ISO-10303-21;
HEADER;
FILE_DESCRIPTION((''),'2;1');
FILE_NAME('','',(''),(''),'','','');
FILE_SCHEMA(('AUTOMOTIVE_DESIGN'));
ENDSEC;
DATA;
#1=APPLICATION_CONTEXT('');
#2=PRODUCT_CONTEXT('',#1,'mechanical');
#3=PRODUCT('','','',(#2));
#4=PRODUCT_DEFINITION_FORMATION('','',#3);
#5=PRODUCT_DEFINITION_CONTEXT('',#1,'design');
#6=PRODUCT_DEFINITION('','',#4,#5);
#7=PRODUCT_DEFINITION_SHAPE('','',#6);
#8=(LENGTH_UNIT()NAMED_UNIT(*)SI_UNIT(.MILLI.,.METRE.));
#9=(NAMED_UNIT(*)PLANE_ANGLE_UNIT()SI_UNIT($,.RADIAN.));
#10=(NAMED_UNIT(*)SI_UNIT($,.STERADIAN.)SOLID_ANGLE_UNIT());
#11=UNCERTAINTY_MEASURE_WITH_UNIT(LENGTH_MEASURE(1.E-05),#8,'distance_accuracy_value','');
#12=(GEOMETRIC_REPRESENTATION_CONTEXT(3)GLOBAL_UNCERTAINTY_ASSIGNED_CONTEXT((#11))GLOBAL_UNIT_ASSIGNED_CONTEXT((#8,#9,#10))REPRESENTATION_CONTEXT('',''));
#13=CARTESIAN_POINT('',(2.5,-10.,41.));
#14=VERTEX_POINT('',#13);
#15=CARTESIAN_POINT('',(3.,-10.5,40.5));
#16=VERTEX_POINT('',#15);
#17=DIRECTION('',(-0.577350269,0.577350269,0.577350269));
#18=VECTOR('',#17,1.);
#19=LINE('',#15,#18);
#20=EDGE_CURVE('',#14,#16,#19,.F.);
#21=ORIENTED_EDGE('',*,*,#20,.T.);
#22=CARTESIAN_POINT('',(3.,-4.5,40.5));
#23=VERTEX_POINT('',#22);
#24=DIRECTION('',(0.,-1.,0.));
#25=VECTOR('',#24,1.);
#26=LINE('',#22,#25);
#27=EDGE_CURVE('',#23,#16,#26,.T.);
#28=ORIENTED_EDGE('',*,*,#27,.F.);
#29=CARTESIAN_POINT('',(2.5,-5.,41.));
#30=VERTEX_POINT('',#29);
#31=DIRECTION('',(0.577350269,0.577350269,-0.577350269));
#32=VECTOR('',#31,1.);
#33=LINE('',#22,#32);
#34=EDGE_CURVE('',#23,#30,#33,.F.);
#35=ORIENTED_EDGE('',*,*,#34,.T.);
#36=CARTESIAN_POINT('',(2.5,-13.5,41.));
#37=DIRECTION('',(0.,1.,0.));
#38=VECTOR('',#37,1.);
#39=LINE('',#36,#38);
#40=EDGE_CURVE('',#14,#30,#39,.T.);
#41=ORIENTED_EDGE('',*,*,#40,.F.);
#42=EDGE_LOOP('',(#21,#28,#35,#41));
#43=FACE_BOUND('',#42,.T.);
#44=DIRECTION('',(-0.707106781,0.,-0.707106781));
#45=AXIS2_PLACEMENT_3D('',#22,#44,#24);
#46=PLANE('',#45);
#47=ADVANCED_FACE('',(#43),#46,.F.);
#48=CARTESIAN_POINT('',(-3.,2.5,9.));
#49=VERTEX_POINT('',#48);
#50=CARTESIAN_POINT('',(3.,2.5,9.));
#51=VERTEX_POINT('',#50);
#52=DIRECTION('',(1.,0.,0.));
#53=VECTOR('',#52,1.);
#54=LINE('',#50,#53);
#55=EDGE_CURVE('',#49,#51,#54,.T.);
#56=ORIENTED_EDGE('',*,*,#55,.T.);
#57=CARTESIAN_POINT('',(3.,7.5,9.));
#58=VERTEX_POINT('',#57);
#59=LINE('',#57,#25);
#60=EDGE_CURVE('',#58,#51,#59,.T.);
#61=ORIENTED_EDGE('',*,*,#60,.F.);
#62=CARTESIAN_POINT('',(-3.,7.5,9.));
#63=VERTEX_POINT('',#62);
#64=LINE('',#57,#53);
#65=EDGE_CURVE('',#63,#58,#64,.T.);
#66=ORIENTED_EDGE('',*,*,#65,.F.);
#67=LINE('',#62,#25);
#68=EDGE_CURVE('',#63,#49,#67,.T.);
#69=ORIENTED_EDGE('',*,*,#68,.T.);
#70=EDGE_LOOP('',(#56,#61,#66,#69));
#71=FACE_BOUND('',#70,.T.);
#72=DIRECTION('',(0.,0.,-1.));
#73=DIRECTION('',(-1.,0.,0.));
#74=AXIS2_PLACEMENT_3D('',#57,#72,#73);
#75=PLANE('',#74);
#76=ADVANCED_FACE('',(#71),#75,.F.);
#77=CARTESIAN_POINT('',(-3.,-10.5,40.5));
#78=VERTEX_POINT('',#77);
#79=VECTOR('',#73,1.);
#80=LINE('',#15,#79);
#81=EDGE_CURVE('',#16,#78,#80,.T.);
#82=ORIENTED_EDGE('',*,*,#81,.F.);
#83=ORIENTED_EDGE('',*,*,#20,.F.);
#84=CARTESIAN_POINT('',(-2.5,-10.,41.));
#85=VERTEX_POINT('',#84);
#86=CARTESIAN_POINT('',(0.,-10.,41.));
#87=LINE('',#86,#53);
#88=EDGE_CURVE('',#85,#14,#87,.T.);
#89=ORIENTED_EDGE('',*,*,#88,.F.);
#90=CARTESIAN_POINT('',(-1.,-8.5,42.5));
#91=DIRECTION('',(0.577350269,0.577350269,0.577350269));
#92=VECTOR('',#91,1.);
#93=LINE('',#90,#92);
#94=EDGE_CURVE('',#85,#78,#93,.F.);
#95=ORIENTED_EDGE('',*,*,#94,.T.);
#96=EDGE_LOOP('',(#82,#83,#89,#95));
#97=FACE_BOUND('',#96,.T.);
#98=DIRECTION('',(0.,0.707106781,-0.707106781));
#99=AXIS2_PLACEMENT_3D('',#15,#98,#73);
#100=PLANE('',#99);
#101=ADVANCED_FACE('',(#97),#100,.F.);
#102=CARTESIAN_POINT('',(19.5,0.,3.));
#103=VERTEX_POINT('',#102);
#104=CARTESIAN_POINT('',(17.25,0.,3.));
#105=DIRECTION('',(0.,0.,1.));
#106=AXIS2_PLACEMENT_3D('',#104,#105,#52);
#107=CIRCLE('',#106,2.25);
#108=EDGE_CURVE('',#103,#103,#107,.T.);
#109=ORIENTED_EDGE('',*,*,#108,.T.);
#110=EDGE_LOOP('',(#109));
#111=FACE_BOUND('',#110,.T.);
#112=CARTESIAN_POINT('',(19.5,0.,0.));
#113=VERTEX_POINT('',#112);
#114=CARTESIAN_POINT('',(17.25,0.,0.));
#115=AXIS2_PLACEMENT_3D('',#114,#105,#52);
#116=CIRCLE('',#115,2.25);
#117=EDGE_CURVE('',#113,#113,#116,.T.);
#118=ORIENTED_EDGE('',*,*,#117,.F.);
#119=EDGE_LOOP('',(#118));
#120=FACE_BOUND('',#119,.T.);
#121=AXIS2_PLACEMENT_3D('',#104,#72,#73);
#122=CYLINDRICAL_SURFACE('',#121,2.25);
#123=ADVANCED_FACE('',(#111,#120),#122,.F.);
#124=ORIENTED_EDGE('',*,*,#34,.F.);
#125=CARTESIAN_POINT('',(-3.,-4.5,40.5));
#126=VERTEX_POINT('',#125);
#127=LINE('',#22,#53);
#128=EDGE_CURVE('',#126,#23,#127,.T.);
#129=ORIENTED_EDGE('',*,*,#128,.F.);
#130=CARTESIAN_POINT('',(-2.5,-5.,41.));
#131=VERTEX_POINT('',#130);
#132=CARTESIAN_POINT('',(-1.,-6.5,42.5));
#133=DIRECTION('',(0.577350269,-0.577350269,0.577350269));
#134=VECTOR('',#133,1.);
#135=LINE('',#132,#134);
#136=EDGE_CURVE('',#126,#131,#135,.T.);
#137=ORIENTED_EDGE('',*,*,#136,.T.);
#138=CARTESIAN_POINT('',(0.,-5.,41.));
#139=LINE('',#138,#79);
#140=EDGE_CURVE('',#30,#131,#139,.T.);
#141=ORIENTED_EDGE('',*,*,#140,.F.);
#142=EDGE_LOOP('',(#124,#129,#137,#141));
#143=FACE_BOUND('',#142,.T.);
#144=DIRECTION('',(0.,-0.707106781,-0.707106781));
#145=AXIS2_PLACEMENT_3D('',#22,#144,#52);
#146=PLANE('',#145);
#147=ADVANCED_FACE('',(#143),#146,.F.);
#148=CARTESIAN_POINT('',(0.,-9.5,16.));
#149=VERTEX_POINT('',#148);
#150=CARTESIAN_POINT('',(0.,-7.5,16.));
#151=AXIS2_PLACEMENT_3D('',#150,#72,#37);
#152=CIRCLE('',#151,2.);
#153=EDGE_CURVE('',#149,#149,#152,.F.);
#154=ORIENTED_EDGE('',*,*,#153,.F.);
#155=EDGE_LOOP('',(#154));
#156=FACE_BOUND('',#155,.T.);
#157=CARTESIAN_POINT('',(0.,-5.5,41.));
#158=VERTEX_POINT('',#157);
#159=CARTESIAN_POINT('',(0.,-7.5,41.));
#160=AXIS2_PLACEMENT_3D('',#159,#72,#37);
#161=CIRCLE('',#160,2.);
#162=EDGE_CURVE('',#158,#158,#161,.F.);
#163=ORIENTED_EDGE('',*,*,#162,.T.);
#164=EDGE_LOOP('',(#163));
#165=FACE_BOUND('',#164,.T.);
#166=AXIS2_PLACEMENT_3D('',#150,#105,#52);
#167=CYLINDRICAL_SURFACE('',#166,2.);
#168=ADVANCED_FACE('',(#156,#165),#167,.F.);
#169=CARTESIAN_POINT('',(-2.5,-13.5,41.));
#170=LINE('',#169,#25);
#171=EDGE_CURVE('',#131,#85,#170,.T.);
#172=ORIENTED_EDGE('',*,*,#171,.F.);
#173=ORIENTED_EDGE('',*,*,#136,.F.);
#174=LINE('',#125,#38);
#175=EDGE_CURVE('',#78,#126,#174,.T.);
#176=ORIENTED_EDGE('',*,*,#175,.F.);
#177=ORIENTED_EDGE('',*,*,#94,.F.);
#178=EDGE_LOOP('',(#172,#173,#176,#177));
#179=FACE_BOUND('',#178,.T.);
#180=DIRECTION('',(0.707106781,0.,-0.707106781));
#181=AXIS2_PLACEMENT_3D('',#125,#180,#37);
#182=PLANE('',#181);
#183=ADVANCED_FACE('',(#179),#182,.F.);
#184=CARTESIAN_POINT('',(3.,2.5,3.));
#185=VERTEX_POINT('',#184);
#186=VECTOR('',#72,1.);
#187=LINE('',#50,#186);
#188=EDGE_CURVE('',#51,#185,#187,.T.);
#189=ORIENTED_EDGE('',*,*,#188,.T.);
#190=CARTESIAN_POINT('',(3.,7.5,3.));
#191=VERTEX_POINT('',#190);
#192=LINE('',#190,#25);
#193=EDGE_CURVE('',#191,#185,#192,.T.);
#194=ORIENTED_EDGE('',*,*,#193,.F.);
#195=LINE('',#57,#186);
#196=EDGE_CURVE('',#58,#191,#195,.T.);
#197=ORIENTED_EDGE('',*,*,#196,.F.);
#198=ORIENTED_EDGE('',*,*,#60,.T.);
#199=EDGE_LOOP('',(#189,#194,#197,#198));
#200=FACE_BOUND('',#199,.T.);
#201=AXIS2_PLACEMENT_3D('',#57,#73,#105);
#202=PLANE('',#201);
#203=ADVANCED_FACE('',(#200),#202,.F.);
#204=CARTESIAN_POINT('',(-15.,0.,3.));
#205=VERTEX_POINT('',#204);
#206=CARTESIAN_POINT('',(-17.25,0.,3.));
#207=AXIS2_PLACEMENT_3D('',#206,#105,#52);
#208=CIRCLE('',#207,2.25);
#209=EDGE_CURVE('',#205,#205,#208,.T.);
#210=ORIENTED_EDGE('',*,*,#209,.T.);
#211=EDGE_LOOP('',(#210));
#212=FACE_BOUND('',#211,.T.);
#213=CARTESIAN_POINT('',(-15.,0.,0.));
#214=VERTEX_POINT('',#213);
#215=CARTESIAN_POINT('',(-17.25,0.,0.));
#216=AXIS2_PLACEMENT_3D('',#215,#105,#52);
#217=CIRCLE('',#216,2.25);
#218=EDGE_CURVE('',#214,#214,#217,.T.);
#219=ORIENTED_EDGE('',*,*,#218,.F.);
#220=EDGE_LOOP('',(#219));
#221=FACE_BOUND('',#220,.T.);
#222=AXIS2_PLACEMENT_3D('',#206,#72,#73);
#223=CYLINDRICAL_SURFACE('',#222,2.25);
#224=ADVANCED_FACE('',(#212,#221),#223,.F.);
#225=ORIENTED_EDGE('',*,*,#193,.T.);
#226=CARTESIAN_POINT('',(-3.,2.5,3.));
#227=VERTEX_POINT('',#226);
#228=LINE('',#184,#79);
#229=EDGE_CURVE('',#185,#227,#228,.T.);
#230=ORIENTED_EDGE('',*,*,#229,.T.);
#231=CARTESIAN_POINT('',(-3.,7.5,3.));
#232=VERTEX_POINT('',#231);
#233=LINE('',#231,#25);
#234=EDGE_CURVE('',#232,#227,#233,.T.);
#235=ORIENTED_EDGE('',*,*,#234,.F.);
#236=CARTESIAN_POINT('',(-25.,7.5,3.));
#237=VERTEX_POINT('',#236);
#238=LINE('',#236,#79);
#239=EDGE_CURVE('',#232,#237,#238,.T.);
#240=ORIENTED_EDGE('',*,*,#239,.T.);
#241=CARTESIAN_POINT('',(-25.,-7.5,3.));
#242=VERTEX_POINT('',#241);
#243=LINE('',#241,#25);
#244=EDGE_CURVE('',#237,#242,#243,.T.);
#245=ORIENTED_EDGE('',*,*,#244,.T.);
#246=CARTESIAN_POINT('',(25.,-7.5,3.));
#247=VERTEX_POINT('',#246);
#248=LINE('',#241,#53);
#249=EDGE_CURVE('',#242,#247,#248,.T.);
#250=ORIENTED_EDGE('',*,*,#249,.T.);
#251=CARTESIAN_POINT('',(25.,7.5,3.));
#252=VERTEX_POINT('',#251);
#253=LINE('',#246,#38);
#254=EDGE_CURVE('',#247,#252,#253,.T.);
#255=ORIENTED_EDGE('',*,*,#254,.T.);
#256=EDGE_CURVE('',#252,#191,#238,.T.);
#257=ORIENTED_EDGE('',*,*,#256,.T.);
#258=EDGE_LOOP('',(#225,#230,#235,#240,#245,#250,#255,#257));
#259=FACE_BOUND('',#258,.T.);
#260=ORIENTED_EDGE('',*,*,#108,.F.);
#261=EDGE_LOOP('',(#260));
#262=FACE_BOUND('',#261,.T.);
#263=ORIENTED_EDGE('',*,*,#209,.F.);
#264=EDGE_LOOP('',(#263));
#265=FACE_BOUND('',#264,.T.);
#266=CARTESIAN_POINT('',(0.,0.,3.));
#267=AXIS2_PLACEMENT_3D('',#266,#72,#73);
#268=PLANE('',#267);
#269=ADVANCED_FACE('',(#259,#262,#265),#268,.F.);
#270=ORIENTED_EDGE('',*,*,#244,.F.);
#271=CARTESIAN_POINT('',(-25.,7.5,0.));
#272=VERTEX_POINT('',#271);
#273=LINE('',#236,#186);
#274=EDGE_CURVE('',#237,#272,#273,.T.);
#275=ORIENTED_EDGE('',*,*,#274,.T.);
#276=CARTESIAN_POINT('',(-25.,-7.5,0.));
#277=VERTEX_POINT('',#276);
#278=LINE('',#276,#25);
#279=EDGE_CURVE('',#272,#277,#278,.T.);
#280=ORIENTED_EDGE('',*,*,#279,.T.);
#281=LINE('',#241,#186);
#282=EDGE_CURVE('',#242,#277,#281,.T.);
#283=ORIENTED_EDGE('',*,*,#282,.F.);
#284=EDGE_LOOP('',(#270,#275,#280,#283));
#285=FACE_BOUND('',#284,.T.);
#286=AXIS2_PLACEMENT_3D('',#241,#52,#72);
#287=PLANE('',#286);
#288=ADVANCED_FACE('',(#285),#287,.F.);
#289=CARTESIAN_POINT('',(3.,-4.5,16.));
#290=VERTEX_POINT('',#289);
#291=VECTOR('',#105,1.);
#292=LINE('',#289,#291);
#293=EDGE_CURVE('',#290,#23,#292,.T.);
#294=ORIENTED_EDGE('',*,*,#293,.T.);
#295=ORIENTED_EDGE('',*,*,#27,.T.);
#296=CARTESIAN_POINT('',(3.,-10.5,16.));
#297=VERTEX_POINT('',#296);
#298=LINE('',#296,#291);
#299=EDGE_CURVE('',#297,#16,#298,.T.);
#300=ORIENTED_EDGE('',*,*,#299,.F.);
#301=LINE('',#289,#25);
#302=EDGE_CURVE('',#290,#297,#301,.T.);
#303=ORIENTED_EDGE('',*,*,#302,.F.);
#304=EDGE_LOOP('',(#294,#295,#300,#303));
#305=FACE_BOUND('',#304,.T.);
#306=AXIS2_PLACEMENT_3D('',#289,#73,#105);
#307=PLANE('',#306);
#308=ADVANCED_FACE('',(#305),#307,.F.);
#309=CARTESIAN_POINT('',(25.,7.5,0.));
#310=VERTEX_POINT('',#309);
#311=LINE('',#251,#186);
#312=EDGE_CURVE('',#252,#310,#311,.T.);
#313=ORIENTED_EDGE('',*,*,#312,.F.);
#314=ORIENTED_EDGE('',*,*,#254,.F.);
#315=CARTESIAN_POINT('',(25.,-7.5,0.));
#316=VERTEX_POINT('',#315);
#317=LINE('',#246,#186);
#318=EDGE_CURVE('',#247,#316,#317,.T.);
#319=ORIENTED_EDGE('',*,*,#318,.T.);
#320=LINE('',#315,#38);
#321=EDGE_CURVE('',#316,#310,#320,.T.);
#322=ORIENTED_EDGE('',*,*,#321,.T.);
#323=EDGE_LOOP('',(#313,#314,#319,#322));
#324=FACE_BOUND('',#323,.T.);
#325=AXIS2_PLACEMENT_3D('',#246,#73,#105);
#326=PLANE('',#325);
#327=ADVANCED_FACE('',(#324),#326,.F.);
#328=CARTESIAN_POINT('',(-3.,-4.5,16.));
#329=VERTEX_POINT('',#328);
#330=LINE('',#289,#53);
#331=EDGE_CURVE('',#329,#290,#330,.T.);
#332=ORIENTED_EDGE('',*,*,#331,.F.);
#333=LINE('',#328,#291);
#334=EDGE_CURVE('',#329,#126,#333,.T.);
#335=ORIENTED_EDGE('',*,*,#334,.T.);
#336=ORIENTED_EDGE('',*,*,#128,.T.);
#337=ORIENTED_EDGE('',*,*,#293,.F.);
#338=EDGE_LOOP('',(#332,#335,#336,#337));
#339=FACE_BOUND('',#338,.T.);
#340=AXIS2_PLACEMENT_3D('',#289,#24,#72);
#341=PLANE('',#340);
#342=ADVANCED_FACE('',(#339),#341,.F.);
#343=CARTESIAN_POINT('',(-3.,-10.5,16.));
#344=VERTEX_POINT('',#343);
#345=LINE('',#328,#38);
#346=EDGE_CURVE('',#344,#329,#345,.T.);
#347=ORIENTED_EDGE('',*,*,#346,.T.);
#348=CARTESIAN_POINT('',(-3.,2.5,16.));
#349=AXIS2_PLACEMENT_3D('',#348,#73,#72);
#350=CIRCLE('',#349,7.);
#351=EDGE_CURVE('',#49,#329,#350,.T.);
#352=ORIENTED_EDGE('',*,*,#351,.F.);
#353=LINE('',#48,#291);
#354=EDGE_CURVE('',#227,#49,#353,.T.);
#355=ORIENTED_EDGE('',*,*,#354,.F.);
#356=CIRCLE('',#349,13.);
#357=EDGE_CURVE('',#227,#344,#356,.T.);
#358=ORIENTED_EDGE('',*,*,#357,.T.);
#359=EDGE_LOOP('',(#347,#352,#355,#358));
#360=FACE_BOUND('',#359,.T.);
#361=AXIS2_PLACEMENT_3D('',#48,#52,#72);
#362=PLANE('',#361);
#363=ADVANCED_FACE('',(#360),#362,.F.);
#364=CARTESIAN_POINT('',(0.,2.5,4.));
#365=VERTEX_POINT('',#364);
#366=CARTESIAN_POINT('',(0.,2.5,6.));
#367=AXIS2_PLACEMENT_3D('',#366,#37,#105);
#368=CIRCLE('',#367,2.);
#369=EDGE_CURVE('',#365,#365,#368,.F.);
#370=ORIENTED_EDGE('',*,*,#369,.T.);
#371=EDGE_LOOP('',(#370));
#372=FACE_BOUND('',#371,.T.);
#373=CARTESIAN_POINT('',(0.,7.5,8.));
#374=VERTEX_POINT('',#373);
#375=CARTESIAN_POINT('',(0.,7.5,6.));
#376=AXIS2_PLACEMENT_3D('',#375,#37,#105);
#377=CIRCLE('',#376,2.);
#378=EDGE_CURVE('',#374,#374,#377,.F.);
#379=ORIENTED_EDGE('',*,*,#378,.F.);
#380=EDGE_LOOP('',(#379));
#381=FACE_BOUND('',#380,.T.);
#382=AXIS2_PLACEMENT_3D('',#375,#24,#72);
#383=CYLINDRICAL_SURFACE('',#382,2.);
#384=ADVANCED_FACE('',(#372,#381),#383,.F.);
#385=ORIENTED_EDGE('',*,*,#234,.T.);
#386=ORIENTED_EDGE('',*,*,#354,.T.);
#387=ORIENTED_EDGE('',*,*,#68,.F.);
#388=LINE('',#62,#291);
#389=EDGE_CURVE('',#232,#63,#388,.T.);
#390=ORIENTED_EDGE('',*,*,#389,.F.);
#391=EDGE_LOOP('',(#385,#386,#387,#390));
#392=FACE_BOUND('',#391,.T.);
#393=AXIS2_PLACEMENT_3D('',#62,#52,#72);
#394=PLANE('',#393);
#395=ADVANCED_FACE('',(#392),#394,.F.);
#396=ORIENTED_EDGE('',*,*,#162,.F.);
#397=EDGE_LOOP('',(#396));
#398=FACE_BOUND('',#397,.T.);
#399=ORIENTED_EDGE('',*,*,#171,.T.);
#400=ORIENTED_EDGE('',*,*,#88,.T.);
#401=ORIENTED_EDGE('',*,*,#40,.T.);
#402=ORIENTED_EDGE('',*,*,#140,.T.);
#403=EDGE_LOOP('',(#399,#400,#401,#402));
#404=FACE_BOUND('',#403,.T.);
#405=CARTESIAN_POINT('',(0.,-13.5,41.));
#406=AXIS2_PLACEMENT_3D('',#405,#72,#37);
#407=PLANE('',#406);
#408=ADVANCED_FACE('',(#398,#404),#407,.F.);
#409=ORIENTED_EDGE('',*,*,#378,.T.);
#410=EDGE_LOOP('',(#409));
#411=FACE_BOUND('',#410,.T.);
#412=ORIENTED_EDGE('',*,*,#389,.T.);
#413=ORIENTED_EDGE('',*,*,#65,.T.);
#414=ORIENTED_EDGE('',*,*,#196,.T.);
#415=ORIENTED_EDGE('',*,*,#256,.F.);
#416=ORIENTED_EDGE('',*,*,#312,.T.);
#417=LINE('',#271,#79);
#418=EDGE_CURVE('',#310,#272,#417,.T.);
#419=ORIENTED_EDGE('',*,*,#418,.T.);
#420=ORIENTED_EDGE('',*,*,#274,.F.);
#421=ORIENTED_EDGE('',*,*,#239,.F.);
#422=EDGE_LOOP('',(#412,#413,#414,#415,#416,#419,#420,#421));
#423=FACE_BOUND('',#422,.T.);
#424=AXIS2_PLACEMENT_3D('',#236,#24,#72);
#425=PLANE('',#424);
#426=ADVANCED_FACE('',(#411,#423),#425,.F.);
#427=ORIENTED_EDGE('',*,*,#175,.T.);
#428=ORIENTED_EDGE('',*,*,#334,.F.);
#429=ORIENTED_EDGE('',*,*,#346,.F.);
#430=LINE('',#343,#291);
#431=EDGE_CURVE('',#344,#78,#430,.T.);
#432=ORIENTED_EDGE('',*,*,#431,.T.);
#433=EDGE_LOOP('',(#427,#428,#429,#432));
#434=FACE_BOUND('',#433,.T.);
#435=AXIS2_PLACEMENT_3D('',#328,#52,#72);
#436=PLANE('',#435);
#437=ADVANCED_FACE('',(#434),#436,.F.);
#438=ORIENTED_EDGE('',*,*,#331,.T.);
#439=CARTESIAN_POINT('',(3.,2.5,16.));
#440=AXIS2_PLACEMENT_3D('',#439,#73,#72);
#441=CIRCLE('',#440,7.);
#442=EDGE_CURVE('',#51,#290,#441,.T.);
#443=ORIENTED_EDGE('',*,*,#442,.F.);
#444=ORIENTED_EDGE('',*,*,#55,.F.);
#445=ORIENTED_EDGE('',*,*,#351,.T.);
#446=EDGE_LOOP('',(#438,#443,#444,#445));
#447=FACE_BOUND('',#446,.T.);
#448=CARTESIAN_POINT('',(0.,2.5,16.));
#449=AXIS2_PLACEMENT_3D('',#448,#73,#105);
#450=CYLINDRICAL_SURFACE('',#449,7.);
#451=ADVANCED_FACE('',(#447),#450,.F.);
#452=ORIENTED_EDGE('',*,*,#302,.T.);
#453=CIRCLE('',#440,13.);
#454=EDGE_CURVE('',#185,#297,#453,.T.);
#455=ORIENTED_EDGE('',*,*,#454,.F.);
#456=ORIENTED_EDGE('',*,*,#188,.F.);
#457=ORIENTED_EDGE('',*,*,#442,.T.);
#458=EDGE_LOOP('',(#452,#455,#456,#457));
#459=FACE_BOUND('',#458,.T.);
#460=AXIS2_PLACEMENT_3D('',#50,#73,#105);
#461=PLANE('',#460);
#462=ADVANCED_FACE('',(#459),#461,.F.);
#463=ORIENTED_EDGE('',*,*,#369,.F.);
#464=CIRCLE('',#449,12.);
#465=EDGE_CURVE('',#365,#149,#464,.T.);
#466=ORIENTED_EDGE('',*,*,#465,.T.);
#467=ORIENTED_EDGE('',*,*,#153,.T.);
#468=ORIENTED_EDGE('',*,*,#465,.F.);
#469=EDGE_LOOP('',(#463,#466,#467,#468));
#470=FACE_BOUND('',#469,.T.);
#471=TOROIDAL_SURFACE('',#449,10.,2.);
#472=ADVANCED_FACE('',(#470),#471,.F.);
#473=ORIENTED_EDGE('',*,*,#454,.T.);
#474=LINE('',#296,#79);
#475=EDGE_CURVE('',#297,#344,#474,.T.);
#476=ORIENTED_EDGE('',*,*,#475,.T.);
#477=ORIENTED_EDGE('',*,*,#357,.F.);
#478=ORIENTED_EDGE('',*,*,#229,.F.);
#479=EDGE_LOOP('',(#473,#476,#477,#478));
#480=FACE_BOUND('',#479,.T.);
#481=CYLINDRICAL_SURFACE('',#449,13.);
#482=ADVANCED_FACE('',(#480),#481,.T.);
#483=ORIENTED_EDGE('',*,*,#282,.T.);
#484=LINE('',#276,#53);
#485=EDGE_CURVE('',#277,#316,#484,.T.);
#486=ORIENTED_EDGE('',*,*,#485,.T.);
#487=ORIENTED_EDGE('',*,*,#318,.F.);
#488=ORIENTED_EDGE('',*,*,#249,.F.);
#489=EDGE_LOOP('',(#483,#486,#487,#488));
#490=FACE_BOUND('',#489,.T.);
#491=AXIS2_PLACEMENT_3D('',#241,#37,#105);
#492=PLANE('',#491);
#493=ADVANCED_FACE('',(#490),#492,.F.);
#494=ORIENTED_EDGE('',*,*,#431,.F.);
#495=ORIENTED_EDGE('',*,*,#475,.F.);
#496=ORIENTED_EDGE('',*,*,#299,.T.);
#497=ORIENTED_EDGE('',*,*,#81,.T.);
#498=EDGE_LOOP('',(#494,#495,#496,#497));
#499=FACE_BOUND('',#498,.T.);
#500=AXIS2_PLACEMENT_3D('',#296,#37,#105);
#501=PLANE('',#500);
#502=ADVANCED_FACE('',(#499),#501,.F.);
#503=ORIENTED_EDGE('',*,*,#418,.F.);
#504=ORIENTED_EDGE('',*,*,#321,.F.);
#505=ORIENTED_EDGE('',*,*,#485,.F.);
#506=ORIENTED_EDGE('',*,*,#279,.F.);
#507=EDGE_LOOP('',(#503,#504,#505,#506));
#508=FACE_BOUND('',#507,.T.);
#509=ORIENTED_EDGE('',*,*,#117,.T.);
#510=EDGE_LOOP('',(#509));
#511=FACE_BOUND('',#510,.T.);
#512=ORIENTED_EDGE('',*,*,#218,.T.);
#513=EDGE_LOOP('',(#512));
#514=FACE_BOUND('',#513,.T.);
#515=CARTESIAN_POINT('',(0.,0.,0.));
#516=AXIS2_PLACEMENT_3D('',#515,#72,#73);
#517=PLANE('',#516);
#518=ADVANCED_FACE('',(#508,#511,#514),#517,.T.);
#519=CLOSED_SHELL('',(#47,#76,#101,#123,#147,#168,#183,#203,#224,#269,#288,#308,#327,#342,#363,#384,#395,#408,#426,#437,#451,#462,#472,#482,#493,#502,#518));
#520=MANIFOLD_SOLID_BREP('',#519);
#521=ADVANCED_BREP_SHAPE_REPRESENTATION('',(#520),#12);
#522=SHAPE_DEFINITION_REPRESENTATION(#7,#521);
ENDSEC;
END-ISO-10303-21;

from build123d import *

# Parameters (mm, degrees)
SKETCH_1_W      = 50
SKETCH_1_H      = 15
SKETCH_1_R      = 2.25
EXTRUDE_1_DEPTH = 3
SKETCH_4_W      = 6
SKETCH_4_H      = 6
SKETCH_4_R      = 2
CHAMFER_1_SIZE  = 0.5


with BuildPart() as part:
    # Эскиз1 → Бобышка-Вытянуть1 (new body)
    with BuildSketch(Plane.XY):
        Rectangle(SKETCH_1_W, SKETCH_1_H)
        with Locations((17.25, 0)):
            Circle(SKETCH_1_R, mode=Mode.SUBTRACT)
        with Locations((-17.25, 0)):
            Circle(SKETCH_1_R, mode=Mode.SUBTRACT)
    extrude(amount=EXTRUDE_1_DEPTH)

    # По траектории1: sweep along a path in Эскиз5
    with BuildLine(Plane.ZY) as sweep_1_path:
        Line((6, 7.5), (6, 2.5))
        ThreePointArc((6, 2.5), (8.928932188, -4.571067812), (16, -7.5))
        Line((16, -7.5), (41, -7.5))
    # Эскиз4 → По траектории1 (sweep)
    with BuildSketch(Plane(origin=(0, 7.5, 0), x_dir=(1, 0, 0), z_dir=(0, 1, 0))):
        with Locations((0, -6)):
            Rectangle(SKETCH_4_W, SKETCH_4_H)
        with Locations((0, -6)):
            Circle(SKETCH_4_R, mode=Mode.SUBTRACT)
    sweep(path=sweep_1_path.line)

    # Фаска1
    chamfer_1_edges = [part.edges().sort_by_distance(p)[0] for p in [
        (3, -7.5, 41),
        (0, -10.5, 41),
        (-3, -7.5, 41),
        (0, -4.5, 41),
    ]]
    chamfer(chamfer_1_edges, length=CHAMFER_1_SIZE)


solid = part.part
